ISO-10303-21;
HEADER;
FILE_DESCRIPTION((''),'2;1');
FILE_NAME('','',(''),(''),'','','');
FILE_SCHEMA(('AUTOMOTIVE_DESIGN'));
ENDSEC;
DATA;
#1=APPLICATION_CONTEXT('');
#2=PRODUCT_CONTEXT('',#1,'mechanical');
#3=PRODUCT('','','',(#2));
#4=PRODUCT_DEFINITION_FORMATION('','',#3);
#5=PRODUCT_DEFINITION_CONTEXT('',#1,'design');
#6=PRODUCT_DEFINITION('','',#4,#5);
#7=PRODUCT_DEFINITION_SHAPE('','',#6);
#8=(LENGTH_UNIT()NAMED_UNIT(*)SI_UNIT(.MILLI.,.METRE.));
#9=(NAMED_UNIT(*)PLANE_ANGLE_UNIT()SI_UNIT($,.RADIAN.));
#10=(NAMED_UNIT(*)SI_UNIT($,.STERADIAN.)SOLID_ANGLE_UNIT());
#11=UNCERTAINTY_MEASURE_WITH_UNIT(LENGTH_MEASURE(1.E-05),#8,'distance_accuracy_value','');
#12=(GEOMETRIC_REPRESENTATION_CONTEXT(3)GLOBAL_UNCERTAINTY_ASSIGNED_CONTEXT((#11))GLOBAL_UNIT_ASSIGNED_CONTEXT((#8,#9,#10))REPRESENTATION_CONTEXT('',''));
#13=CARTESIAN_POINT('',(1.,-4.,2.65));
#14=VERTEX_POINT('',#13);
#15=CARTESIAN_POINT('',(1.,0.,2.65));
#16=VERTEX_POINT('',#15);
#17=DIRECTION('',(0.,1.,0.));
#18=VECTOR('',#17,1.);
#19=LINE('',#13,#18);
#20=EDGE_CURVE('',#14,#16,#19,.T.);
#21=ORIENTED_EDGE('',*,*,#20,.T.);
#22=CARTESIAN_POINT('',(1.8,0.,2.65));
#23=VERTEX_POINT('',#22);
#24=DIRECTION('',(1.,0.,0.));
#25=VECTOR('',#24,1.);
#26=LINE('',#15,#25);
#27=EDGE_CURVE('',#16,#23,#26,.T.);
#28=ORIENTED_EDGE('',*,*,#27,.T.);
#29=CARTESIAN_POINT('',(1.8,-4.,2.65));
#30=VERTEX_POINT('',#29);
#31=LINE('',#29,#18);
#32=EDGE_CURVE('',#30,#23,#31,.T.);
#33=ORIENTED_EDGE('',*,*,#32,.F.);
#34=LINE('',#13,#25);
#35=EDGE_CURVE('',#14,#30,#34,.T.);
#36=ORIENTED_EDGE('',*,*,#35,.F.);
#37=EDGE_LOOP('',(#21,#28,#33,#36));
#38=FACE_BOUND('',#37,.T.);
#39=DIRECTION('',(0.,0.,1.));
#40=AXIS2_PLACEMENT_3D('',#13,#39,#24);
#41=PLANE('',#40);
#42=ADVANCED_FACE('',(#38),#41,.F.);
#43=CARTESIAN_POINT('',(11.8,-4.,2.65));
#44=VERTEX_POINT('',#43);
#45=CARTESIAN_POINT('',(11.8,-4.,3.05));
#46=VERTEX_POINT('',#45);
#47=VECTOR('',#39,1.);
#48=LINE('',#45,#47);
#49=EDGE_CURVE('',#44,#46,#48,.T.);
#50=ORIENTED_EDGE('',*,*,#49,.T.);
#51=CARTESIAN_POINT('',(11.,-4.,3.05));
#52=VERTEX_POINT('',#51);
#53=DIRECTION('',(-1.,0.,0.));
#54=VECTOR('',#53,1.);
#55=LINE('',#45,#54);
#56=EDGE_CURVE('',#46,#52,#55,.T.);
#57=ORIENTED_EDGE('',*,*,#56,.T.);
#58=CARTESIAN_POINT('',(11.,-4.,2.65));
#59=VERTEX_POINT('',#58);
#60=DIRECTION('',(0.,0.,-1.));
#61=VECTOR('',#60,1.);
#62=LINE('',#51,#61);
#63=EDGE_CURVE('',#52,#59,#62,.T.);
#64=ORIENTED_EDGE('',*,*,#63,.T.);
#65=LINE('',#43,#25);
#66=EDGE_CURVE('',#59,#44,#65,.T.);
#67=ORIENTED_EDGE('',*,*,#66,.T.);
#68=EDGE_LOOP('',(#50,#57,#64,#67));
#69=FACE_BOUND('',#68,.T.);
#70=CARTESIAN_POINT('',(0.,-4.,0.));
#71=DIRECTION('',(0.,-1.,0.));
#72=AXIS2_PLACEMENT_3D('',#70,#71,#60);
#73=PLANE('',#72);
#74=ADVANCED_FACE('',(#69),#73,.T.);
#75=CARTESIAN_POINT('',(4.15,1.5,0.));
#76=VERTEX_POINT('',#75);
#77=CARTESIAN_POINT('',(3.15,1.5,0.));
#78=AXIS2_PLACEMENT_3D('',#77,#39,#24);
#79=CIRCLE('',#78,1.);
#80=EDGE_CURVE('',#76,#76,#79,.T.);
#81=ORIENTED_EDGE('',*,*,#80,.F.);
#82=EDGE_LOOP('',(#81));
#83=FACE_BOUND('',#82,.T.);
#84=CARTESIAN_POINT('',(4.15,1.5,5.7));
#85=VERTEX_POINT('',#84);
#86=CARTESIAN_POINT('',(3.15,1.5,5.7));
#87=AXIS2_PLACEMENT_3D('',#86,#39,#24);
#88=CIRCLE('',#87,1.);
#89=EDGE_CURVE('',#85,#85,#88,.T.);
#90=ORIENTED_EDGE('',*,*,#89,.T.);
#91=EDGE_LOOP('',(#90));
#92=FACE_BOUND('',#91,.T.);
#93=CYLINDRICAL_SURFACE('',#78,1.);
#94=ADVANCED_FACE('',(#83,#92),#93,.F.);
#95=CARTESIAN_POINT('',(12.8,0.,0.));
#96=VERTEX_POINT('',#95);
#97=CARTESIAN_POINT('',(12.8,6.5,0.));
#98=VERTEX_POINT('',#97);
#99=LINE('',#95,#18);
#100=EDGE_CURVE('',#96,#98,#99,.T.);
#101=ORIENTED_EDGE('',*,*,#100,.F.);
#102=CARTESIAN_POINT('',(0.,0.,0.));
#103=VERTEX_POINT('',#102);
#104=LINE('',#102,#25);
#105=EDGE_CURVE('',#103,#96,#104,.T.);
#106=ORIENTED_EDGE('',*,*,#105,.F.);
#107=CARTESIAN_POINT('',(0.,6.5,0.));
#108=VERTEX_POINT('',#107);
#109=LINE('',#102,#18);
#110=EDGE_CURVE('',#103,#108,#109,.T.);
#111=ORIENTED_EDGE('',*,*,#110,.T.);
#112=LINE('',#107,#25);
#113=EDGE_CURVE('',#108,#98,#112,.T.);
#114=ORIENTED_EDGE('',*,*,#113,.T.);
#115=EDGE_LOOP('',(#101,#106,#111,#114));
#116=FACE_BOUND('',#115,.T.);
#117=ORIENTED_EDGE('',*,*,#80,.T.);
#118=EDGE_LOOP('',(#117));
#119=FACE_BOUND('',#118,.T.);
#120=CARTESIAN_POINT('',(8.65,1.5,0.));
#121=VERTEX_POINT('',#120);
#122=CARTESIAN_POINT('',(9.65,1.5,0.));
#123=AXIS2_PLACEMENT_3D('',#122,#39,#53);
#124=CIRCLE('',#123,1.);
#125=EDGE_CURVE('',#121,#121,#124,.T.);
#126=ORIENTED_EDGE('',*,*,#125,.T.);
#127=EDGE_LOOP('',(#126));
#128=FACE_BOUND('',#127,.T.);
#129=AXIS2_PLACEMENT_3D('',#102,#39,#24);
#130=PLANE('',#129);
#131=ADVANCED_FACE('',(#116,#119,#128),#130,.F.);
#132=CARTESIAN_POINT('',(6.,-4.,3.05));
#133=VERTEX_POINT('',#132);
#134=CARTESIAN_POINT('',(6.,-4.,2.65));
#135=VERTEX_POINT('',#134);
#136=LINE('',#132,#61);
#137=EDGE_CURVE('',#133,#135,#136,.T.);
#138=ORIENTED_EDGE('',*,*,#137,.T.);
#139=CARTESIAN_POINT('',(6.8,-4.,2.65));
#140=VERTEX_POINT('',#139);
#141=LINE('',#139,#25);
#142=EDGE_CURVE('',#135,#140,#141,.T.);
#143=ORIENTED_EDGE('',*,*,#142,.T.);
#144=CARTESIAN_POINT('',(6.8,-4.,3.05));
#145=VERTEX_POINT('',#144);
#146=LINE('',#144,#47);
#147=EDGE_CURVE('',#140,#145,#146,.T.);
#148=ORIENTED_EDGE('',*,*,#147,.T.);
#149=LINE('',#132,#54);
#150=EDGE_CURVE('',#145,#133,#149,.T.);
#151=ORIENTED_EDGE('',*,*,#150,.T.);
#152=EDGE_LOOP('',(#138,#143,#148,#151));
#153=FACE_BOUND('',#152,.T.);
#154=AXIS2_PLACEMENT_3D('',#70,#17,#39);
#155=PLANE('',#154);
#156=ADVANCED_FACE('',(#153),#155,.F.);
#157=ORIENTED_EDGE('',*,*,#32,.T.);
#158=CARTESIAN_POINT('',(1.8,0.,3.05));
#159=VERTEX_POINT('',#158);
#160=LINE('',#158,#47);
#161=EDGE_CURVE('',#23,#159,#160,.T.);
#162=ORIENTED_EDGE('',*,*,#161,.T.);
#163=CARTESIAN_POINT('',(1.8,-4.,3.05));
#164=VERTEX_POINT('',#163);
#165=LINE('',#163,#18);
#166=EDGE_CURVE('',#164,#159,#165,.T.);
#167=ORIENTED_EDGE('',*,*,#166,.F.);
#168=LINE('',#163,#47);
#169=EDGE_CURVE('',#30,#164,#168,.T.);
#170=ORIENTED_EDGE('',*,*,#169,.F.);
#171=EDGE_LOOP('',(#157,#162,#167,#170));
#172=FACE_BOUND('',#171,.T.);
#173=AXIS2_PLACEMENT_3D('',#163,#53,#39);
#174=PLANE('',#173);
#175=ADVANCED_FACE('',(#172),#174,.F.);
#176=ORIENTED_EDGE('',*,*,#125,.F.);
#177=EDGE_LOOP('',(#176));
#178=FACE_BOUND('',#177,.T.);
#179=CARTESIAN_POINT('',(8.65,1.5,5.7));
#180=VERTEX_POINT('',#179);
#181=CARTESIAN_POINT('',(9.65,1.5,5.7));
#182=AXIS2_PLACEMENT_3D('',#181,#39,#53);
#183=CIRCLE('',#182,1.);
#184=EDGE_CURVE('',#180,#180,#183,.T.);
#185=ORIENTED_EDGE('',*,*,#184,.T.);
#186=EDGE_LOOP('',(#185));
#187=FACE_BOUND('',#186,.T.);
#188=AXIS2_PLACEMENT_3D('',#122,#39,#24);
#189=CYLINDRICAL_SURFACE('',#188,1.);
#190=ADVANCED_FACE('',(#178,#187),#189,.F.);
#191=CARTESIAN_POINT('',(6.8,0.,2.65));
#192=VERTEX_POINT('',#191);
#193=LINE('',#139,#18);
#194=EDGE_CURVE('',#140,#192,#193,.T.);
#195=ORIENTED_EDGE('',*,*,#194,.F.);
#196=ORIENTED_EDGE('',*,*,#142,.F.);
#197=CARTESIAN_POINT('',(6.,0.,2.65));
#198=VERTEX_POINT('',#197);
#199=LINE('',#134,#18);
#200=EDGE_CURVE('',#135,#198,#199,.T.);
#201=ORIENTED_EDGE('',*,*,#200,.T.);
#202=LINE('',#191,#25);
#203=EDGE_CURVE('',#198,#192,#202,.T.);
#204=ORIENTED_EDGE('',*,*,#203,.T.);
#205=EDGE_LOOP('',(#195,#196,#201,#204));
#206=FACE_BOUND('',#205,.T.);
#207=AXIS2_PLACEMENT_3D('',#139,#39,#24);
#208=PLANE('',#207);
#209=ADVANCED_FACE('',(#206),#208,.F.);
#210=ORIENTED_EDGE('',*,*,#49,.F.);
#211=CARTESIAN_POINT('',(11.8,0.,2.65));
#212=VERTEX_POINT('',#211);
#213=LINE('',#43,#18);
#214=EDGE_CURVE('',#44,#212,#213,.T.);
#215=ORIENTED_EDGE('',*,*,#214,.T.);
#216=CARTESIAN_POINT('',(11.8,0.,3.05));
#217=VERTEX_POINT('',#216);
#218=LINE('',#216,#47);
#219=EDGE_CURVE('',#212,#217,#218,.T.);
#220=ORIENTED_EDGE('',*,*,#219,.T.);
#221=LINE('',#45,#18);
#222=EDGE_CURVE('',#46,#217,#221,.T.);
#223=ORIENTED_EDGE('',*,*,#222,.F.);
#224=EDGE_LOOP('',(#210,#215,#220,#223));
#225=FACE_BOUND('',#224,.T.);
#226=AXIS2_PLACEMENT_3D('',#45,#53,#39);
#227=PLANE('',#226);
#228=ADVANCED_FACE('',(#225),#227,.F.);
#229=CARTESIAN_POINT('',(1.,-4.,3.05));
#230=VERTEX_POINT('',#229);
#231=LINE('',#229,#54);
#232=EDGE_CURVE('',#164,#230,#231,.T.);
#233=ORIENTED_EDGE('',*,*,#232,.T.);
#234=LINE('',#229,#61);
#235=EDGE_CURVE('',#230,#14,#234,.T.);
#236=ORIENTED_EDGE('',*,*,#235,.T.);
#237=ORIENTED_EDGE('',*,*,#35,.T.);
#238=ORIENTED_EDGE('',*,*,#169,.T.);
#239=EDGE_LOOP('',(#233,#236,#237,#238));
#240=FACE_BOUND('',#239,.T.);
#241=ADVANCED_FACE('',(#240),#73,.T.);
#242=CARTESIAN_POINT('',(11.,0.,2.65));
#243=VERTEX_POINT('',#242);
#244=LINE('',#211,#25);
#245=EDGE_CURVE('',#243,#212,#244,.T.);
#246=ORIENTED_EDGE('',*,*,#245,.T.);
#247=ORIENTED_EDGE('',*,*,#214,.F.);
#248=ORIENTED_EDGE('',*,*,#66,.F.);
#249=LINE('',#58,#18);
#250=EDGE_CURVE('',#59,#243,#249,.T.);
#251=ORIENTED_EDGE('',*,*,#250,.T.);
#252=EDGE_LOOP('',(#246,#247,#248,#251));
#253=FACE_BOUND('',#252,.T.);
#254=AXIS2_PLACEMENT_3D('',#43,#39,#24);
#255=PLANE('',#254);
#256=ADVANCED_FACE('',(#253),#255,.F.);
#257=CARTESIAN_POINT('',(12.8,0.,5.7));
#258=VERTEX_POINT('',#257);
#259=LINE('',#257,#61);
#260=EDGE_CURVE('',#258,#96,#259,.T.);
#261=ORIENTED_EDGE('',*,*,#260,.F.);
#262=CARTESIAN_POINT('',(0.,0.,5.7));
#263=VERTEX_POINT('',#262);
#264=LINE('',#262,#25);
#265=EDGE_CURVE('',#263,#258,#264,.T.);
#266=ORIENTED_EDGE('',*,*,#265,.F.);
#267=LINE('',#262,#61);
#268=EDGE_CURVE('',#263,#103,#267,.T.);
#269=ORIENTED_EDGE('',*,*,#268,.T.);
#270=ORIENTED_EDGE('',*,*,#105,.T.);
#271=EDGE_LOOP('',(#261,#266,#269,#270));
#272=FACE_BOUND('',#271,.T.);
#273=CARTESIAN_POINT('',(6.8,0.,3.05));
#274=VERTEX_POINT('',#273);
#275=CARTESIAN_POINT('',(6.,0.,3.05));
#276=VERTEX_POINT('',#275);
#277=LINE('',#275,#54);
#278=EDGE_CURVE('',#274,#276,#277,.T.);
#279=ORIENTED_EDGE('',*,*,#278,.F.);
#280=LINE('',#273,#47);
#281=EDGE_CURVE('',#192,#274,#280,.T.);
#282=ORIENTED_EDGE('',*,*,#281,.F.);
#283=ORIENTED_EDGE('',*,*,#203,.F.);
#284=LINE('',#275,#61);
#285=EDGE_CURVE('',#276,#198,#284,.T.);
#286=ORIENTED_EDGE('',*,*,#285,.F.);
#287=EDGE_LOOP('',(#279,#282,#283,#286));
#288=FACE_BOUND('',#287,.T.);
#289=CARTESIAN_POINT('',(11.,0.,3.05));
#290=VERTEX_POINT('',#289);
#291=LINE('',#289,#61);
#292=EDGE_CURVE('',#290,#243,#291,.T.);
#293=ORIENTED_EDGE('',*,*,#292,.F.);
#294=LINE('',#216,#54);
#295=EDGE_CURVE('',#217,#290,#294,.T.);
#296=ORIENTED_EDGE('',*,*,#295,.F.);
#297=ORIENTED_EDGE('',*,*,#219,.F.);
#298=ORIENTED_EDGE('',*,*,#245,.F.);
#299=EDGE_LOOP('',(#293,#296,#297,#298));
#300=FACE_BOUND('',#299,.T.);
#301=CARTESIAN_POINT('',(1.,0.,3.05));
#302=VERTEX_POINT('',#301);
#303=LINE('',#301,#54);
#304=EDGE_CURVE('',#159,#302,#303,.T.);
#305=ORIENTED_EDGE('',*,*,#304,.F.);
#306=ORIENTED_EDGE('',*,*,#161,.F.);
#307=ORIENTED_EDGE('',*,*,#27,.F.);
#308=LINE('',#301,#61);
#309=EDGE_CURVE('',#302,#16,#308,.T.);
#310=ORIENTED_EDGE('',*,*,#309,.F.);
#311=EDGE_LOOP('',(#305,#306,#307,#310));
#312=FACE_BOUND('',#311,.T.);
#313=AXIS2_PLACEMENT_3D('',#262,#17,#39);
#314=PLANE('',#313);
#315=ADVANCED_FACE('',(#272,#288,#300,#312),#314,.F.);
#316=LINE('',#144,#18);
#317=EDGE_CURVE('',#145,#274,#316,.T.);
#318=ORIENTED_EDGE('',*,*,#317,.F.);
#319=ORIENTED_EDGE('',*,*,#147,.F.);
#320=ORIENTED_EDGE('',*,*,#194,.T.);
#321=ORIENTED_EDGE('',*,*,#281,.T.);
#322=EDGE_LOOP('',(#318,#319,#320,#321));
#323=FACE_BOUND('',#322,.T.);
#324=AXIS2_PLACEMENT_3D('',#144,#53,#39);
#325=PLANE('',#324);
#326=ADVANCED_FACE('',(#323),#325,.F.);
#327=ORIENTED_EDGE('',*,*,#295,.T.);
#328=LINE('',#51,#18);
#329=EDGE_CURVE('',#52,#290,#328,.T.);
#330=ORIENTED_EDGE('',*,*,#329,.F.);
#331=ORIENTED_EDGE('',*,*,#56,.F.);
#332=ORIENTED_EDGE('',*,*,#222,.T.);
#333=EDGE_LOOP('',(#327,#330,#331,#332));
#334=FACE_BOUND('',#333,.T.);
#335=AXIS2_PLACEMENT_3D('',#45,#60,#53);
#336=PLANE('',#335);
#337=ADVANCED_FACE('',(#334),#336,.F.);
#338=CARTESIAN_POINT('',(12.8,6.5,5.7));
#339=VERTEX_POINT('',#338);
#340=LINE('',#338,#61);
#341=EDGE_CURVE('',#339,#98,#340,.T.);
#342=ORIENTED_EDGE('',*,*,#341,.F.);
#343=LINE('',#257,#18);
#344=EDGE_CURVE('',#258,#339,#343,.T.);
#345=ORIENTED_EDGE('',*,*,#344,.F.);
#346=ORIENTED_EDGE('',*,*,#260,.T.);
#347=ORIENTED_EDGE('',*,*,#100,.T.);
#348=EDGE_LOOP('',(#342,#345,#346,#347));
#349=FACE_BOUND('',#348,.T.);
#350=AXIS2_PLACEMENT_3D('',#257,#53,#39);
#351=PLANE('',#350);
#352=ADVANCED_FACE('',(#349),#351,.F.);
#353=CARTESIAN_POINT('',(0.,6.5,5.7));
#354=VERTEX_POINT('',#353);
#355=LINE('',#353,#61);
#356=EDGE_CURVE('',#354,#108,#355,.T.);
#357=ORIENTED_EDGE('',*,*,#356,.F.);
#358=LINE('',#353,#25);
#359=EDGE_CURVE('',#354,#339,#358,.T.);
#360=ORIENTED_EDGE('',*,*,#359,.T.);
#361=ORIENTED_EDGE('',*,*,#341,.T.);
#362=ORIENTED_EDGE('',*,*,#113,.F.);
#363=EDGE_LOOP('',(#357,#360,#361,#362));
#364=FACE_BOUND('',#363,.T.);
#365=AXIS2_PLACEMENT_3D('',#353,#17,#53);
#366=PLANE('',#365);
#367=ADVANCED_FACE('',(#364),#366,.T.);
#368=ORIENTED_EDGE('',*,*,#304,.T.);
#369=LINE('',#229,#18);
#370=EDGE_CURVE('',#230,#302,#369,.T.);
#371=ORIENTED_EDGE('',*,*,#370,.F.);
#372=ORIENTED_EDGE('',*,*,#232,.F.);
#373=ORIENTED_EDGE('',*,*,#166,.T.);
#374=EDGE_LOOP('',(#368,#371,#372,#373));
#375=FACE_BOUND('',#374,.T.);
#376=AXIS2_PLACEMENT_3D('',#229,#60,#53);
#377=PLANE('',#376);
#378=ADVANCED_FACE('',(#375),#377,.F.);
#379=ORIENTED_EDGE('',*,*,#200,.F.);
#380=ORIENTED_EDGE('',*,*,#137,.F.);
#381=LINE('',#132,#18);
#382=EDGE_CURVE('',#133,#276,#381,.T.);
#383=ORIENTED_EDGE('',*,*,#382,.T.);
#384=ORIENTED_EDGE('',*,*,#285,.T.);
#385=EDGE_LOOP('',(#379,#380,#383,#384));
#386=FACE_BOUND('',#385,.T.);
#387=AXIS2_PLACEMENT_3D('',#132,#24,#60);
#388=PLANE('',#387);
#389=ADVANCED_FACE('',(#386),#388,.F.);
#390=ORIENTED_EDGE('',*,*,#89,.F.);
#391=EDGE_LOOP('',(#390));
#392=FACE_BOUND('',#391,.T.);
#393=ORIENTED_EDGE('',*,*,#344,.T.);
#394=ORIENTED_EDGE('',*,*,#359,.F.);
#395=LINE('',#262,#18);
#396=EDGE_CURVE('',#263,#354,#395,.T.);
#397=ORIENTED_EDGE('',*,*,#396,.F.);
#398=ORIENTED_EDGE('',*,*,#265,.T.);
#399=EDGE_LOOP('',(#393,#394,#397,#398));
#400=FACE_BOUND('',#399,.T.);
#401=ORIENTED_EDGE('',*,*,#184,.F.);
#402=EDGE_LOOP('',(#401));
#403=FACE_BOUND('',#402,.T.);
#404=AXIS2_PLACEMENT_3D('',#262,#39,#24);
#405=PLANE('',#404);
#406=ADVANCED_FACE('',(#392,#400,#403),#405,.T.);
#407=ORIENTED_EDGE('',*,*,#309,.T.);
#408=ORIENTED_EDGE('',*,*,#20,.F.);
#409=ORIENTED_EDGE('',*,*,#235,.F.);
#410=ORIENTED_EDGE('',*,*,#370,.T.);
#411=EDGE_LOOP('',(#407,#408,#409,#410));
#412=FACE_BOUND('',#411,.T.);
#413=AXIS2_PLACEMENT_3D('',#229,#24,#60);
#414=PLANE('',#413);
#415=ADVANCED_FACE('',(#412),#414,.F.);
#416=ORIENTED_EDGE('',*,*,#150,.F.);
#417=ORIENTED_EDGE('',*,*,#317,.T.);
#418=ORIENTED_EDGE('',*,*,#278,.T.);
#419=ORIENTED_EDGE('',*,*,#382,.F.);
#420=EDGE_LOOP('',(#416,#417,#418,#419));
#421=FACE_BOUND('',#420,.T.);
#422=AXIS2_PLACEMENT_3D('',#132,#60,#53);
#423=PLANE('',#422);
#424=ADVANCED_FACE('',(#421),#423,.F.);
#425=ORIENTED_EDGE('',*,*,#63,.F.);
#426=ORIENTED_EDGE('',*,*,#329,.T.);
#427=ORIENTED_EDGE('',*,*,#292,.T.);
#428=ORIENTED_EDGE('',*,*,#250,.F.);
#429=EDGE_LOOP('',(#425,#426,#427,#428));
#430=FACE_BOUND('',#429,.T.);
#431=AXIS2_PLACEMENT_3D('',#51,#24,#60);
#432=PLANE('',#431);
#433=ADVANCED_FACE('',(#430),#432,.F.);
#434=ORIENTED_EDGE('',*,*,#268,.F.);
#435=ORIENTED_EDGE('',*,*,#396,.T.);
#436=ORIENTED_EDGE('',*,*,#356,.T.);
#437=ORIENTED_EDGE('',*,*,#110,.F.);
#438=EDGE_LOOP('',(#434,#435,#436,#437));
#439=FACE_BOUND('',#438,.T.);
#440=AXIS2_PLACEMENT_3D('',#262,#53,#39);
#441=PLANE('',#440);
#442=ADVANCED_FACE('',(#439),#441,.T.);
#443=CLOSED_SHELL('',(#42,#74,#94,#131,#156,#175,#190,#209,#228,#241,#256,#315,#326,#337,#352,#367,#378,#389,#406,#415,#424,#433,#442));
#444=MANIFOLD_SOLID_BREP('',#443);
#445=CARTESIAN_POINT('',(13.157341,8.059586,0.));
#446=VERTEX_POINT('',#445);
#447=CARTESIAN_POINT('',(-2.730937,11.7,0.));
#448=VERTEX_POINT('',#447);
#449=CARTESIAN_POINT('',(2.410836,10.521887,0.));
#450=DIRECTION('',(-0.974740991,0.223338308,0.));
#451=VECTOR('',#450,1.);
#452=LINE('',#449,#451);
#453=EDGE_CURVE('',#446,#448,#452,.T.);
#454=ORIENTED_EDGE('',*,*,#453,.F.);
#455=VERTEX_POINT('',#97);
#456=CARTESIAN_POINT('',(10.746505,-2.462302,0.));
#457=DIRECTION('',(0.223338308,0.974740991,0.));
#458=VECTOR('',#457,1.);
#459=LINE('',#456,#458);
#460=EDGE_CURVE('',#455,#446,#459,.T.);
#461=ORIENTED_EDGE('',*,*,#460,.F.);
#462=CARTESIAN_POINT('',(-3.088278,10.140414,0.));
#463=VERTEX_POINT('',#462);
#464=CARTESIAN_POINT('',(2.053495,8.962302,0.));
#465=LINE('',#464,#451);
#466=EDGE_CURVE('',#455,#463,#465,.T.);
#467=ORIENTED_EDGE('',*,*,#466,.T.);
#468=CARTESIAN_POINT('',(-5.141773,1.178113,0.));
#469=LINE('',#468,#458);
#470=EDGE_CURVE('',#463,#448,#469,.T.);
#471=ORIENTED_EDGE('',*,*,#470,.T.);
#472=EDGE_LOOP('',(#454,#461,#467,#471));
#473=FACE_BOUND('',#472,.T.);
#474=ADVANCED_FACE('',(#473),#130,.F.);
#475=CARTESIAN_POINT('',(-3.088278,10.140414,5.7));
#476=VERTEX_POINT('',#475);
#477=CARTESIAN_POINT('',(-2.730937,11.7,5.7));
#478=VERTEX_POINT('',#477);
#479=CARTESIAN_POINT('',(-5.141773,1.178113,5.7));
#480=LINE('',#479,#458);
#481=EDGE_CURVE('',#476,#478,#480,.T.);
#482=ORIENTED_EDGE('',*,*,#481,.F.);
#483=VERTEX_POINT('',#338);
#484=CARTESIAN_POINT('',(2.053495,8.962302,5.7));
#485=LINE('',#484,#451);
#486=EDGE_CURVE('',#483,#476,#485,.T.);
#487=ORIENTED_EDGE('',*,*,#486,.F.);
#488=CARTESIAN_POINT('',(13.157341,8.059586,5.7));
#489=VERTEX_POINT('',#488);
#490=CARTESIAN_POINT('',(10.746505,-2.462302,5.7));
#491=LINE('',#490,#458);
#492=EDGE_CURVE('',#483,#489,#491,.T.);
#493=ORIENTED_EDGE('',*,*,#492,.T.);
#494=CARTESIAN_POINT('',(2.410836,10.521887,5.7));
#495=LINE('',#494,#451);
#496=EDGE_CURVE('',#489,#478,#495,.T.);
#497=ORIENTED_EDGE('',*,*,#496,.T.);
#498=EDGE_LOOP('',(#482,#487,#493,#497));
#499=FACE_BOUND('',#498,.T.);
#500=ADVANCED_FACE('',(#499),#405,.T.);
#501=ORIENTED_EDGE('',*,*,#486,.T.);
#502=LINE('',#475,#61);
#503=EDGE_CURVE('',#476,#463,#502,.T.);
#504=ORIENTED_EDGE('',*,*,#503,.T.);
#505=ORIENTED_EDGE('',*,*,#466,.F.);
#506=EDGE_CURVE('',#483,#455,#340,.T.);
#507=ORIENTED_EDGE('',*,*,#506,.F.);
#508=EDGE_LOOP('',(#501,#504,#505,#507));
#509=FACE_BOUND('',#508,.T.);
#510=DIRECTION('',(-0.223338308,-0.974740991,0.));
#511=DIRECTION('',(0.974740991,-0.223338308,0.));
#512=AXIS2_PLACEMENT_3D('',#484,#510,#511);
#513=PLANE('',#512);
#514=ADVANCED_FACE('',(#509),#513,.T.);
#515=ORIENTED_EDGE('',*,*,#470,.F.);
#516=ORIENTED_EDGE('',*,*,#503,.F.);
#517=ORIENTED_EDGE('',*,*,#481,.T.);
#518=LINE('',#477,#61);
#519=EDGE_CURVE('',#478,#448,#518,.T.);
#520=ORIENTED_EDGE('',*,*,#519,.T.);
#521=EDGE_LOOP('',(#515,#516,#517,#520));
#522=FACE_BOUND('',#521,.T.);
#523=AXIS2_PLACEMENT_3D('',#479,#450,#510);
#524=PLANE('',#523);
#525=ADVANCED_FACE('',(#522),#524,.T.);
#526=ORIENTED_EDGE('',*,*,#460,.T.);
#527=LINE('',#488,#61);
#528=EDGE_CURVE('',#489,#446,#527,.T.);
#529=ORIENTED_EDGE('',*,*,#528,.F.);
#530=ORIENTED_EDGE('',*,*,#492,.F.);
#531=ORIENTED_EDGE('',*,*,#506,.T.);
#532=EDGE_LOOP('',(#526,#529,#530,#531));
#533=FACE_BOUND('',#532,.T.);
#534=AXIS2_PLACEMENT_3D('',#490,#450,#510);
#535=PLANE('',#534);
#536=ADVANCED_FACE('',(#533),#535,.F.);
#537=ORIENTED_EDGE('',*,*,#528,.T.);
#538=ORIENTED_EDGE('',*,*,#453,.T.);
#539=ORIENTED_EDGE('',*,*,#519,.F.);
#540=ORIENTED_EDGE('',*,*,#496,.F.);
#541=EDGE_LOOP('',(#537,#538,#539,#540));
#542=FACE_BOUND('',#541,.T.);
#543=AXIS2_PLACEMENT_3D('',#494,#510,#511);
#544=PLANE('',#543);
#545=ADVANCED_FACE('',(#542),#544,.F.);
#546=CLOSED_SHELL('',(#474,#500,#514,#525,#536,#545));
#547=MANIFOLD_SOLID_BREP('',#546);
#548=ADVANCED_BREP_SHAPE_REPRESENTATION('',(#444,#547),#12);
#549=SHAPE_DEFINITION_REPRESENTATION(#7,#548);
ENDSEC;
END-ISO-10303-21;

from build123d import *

# Parameters (mm, degrees)
ESQUISSE1_W             = 12.8
ESQUISSE1_H             = 6.5
BOSS_EXTRU_1_DEPTH      = 5.7
BOSS_EXTRU_1_2_DEPTH    = 5.7
ESQUISSE2_R             = 1
ENL_V_MAT_EXTRU_1_DEPTH = 5.7
ESQUISSE3_W             = 0.8
ESQUISSE3_H             = 0.4
BOSS_EXTRU_2_DEPTH      = 4


with BuildPart() as part:
    # Esquisse1 → Boss.-Extru.1 (new body)
    with BuildSketch(Plane.XY):
        with Locations((6.4, 3.25)):
            Rectangle(ESQUISSE1_W, ESQUISSE1_H)
    extrude(amount=BOSS_EXTRU_1_DEPTH)

    # Esquisse2 → Enlèv. mat.-Extru.1 (cut)
    with BuildSketch(Plane.XY.offset(5.7)):
        with Locations((3.15, 1.5)):
            Circle(ESQUISSE2_R)
        with Locations((9.65, 1.5)):
            Circle(ESQUISSE2_R)
    extrude(amount=-ENL_V_MAT_EXTRU_1_DEPTH, mode=Mode.SUBTRACT)

    # Esquisse3 → Boss.-Extru.2 (add)
    with BuildSketch(Plane.XZ):
        with Locations((6.4, 2.85)):
            Rectangle(ESQUISSE3_W, ESQUISSE3_H)
        with Locations((1.4, 2.85)):
            Rectangle(ESQUISSE3_W, ESQUISSE3_H)
        with Locations((11.4, 2.85)):
            Rectangle(ESQUISSE3_W, ESQUISSE3_H)
    extrude(amount=BOSS_EXTRU_2_DEPTH)


with BuildPart() as body_2:
    # Esquisse1 → Boss.-Extru.1 2 (new body)
    with BuildSketch(Plane.XY):
        Polygon((-3.08827816, 10.140414414), (12.8, 6.5), (13.157341292, 8.059585586), (-2.730936868, 11.7), align=None)
    extrude(amount=BOSS_EXTRU_1_2_DEPTH)


solid = Compound([part.part, body_2.part])
